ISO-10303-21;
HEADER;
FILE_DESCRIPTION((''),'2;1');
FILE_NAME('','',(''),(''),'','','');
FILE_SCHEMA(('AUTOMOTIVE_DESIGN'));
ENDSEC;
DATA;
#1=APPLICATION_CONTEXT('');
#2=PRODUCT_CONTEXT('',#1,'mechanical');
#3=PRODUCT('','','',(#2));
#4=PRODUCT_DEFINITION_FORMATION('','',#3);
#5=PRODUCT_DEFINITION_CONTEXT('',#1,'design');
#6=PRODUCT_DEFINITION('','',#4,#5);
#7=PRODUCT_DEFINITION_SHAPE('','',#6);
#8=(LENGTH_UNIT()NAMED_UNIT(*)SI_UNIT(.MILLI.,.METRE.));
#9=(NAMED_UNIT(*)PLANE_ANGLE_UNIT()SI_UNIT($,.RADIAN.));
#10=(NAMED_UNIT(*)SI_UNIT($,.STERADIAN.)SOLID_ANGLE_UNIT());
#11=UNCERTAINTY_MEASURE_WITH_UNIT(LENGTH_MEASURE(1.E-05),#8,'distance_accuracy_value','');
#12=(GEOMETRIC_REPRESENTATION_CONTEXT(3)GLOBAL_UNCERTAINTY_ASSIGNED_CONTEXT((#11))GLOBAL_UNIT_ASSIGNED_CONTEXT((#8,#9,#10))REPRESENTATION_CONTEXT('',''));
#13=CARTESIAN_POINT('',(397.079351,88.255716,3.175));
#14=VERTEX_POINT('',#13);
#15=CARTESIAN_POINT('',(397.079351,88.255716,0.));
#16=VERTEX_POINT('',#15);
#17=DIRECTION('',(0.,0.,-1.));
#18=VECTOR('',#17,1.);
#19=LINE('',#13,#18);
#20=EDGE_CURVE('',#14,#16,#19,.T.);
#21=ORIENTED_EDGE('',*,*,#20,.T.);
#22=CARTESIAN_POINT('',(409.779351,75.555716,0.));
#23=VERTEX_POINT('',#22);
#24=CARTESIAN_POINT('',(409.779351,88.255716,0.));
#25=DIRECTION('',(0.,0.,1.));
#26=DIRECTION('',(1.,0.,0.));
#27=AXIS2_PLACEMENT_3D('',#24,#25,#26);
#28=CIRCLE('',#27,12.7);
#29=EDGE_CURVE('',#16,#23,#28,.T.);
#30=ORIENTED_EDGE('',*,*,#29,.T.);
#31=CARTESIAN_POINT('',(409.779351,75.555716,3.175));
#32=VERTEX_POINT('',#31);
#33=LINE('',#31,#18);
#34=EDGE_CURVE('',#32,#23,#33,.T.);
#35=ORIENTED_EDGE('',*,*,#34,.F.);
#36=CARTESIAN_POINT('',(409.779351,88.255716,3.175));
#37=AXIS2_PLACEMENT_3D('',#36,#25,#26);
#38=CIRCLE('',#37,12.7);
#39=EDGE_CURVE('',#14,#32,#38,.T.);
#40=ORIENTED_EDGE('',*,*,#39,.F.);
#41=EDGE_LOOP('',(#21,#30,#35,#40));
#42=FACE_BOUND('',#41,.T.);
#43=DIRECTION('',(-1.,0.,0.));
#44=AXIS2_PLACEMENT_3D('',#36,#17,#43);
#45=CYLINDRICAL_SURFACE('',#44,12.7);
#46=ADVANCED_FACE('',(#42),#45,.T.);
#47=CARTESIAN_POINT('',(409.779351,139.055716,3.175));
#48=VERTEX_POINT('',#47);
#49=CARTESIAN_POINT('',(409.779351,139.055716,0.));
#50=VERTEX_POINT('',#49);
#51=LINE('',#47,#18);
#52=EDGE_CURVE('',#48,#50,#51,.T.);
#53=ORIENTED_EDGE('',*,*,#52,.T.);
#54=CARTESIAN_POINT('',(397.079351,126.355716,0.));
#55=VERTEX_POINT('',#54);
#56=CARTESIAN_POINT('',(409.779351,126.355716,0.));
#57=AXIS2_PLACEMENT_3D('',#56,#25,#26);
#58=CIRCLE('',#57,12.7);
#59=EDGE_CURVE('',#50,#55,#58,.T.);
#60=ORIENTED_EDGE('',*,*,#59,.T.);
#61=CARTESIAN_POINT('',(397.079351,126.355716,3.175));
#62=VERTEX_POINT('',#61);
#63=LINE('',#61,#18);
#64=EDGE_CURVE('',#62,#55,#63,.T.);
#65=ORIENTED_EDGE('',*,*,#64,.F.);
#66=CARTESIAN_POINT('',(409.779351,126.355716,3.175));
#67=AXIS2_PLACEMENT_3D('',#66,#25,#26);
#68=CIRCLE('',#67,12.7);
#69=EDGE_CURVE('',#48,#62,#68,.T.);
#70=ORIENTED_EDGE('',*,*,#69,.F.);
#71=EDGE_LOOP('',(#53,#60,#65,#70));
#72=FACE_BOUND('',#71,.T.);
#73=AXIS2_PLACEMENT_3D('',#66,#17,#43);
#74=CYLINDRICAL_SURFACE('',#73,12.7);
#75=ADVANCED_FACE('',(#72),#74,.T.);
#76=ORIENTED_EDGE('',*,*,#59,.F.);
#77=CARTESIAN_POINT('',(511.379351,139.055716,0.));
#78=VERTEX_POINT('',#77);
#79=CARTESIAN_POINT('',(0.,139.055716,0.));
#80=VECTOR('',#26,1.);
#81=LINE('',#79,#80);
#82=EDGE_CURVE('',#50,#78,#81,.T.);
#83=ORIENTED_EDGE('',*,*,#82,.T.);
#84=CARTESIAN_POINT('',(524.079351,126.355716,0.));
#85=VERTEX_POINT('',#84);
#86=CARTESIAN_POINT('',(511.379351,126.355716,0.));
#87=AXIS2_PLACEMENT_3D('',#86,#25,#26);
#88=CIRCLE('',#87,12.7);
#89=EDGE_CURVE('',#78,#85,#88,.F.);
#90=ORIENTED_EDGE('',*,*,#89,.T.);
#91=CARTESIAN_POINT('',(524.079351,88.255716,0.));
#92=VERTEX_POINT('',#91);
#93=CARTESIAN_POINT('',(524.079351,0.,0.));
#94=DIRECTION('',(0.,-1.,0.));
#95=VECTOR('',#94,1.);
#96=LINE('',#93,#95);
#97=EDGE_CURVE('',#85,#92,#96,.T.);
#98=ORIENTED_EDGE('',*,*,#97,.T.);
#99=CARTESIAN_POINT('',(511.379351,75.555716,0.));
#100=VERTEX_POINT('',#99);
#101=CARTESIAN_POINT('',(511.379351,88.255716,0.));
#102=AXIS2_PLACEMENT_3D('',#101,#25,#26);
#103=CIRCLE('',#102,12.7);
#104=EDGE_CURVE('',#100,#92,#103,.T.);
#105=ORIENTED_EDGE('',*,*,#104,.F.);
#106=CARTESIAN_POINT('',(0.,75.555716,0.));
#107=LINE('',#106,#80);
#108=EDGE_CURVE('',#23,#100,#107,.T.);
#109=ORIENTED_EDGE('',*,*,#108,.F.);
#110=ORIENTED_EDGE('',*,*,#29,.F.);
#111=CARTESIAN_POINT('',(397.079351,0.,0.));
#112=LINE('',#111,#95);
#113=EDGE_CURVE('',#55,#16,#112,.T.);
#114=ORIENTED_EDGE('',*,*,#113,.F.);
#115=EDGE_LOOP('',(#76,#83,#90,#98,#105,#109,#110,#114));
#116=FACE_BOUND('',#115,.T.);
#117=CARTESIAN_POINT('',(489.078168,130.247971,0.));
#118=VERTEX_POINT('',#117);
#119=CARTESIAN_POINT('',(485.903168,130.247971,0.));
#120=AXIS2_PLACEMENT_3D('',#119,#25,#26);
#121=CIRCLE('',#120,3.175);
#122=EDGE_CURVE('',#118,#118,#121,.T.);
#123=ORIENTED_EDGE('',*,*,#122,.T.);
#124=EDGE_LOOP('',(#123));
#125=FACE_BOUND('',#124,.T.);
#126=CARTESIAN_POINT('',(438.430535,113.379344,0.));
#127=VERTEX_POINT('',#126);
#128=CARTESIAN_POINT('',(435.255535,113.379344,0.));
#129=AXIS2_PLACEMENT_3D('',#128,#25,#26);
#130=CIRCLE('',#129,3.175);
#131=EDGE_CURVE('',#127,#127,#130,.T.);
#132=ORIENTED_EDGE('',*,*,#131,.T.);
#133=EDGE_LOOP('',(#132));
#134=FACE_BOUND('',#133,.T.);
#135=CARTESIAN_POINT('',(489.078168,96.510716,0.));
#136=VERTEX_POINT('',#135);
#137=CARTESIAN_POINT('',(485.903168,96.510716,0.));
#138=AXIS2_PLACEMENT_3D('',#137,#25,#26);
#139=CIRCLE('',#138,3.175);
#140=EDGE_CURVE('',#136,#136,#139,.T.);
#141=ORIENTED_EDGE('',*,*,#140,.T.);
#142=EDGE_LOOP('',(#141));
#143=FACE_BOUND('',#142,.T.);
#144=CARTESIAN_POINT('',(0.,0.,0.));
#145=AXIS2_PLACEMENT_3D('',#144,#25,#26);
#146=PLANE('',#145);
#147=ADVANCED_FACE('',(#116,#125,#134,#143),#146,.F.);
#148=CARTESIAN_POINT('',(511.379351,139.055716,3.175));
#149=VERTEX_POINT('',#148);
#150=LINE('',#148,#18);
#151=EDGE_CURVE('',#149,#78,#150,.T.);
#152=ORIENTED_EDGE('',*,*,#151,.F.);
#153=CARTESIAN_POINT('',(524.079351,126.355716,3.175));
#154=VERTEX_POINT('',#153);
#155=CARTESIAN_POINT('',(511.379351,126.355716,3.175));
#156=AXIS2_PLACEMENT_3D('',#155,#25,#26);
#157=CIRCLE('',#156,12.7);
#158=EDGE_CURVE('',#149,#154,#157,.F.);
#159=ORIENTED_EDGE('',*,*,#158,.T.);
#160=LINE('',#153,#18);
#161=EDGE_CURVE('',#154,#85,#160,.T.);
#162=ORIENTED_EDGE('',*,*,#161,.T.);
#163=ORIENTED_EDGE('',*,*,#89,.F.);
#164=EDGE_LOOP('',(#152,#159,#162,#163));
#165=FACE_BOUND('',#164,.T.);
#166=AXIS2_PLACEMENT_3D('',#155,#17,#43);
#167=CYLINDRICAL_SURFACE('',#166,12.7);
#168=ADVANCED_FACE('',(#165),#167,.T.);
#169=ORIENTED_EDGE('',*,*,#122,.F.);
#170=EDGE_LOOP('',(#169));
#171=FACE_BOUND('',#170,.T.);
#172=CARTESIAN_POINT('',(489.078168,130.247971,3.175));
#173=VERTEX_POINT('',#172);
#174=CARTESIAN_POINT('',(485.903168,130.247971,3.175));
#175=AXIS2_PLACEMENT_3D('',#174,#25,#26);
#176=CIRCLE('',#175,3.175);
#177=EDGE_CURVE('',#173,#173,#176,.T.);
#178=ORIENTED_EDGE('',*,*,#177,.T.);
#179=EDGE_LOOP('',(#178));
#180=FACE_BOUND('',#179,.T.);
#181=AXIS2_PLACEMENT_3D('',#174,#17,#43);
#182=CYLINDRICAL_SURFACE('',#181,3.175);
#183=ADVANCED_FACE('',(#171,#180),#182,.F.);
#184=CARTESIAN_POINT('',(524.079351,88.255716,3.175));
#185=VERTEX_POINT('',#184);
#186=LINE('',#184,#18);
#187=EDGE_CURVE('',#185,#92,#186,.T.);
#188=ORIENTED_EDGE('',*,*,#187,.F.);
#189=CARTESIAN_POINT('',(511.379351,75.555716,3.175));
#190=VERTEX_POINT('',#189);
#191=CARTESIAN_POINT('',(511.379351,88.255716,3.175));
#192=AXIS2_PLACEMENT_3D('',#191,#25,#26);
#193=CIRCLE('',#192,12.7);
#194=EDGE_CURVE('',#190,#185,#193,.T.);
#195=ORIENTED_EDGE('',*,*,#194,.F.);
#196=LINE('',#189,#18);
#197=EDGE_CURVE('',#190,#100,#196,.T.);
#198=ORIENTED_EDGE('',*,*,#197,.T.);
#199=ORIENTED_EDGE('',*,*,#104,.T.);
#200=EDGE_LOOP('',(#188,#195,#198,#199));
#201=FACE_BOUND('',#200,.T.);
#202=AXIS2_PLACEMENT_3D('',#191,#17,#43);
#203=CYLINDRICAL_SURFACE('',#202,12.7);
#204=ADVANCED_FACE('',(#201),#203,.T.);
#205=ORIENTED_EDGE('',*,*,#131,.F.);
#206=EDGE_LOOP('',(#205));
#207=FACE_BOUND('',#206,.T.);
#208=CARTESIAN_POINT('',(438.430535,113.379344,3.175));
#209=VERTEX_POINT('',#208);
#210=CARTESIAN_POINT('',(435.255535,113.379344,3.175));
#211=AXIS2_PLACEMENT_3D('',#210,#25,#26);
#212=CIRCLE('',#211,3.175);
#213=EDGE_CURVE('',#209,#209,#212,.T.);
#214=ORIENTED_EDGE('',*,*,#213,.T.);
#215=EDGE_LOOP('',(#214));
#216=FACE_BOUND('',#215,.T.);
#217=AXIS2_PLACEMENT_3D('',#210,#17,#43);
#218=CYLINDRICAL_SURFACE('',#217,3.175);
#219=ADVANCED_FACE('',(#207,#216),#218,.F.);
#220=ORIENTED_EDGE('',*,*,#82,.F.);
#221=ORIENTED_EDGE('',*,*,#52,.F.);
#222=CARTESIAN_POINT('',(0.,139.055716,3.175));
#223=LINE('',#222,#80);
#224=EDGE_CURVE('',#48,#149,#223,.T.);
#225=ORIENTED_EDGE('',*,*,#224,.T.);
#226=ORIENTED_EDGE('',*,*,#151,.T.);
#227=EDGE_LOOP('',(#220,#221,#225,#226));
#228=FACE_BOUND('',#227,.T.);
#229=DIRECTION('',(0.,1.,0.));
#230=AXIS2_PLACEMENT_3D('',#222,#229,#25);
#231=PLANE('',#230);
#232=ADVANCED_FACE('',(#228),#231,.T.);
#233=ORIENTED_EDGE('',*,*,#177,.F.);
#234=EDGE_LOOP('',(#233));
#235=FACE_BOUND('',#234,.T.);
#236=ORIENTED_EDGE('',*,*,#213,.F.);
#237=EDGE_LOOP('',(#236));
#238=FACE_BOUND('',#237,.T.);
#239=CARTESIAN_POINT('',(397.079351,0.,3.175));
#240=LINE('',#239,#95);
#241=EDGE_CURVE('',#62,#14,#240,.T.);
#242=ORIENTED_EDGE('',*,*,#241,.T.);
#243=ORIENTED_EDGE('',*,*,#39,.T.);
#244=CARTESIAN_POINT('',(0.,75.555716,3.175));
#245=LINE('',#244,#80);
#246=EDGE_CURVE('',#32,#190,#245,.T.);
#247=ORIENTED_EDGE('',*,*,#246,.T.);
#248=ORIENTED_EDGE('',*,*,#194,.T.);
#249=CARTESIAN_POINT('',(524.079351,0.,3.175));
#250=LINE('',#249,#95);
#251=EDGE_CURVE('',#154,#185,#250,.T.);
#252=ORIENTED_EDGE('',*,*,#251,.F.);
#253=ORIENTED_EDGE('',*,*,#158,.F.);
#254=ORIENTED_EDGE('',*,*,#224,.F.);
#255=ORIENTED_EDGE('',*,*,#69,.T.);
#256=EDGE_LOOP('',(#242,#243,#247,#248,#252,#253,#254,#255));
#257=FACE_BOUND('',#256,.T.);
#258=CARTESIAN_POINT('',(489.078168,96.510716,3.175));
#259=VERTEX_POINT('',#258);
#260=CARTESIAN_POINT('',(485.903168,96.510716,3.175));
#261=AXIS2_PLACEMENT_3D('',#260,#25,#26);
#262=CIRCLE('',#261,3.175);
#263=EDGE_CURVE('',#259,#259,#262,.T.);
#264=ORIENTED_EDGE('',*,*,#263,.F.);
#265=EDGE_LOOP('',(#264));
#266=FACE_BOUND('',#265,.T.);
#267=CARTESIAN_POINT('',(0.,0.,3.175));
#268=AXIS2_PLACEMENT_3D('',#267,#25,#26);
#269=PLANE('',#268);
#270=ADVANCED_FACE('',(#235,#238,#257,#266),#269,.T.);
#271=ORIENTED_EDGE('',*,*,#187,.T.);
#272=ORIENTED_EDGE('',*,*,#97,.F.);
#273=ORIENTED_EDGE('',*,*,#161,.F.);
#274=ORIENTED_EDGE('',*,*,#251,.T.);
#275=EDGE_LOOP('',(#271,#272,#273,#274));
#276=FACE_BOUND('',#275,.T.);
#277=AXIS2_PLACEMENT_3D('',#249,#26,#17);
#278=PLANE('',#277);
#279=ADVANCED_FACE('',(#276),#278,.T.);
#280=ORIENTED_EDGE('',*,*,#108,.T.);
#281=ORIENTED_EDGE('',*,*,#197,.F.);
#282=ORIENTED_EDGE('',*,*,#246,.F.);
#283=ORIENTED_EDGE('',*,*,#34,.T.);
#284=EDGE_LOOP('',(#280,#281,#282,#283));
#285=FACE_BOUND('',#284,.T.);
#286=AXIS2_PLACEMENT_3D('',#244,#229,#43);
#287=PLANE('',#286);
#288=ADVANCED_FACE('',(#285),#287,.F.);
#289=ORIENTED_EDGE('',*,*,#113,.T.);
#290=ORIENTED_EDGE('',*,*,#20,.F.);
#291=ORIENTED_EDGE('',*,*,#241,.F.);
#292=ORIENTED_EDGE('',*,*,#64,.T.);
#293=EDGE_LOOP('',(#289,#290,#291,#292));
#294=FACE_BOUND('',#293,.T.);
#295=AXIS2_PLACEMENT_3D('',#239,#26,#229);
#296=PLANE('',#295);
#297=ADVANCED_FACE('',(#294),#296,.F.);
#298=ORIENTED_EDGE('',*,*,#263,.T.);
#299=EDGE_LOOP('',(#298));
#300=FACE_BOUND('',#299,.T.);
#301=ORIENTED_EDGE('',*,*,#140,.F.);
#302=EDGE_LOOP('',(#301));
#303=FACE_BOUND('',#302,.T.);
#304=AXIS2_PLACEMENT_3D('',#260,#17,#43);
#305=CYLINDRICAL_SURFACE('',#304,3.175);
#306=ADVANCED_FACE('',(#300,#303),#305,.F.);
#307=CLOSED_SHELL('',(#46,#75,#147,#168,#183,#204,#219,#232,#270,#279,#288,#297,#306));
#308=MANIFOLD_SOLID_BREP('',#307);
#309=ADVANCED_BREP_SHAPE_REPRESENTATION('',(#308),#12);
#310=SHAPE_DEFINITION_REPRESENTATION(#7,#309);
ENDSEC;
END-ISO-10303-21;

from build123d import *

# Parameters (mm, degrees)
SKETCH1_R           = 3.175
BOSS_EXTRUDE1_DEPTH = 3.175


with BuildPart() as part:
    # Sketch1 → Boss-Extrude1 (new body)
    with BuildSketch(Plane.XY):
        with BuildLine():
            Line((409.779351392, 139.055716341), (511.379351392, 139.055716341))
            ThreePointArc((511.379351392, 139.055716341), (520.359607513, 135.335972462), (524.079351392, 126.355716341))
            Line((524.079351392, 126.355716341), (524.079351392, 88.255716341))
            ThreePointArc((524.079351392, 88.255716341), (520.359607513, 79.27546022), (511.379351392, 75.555716341))
            Line((511.379351392, 75.555716341), (409.779351392, 75.555716341))
            ThreePointArc((409.779351392, 75.555716341), (400.799095271, 79.27546022), (397.079351392, 88.255716341))
            Line((397.079351392, 88.255716341), (397.079351392, 126.355716341))
            ThreePointArc((397.079351392, 126.355716341), (400.799095271, 135.335972462), (409.779351392, 139.055716341))
        make_face()
        with Locations((485.903167936, 130.247970855)):
            Circle(SKETCH1_R, mode=Mode.SUBTRACT)
        with Locations((485.903167936, 96.510716341)):
            Circle(SKETCH1_R, mode=Mode.SUBTRACT)
        with Locations((435.255534848, 113.379343598)):
            Circle(SKETCH1_R, mode=Mode.SUBTRACT)
    extrude(amount=BOSS_EXTRUDE1_DEPTH)


solid = part.part
